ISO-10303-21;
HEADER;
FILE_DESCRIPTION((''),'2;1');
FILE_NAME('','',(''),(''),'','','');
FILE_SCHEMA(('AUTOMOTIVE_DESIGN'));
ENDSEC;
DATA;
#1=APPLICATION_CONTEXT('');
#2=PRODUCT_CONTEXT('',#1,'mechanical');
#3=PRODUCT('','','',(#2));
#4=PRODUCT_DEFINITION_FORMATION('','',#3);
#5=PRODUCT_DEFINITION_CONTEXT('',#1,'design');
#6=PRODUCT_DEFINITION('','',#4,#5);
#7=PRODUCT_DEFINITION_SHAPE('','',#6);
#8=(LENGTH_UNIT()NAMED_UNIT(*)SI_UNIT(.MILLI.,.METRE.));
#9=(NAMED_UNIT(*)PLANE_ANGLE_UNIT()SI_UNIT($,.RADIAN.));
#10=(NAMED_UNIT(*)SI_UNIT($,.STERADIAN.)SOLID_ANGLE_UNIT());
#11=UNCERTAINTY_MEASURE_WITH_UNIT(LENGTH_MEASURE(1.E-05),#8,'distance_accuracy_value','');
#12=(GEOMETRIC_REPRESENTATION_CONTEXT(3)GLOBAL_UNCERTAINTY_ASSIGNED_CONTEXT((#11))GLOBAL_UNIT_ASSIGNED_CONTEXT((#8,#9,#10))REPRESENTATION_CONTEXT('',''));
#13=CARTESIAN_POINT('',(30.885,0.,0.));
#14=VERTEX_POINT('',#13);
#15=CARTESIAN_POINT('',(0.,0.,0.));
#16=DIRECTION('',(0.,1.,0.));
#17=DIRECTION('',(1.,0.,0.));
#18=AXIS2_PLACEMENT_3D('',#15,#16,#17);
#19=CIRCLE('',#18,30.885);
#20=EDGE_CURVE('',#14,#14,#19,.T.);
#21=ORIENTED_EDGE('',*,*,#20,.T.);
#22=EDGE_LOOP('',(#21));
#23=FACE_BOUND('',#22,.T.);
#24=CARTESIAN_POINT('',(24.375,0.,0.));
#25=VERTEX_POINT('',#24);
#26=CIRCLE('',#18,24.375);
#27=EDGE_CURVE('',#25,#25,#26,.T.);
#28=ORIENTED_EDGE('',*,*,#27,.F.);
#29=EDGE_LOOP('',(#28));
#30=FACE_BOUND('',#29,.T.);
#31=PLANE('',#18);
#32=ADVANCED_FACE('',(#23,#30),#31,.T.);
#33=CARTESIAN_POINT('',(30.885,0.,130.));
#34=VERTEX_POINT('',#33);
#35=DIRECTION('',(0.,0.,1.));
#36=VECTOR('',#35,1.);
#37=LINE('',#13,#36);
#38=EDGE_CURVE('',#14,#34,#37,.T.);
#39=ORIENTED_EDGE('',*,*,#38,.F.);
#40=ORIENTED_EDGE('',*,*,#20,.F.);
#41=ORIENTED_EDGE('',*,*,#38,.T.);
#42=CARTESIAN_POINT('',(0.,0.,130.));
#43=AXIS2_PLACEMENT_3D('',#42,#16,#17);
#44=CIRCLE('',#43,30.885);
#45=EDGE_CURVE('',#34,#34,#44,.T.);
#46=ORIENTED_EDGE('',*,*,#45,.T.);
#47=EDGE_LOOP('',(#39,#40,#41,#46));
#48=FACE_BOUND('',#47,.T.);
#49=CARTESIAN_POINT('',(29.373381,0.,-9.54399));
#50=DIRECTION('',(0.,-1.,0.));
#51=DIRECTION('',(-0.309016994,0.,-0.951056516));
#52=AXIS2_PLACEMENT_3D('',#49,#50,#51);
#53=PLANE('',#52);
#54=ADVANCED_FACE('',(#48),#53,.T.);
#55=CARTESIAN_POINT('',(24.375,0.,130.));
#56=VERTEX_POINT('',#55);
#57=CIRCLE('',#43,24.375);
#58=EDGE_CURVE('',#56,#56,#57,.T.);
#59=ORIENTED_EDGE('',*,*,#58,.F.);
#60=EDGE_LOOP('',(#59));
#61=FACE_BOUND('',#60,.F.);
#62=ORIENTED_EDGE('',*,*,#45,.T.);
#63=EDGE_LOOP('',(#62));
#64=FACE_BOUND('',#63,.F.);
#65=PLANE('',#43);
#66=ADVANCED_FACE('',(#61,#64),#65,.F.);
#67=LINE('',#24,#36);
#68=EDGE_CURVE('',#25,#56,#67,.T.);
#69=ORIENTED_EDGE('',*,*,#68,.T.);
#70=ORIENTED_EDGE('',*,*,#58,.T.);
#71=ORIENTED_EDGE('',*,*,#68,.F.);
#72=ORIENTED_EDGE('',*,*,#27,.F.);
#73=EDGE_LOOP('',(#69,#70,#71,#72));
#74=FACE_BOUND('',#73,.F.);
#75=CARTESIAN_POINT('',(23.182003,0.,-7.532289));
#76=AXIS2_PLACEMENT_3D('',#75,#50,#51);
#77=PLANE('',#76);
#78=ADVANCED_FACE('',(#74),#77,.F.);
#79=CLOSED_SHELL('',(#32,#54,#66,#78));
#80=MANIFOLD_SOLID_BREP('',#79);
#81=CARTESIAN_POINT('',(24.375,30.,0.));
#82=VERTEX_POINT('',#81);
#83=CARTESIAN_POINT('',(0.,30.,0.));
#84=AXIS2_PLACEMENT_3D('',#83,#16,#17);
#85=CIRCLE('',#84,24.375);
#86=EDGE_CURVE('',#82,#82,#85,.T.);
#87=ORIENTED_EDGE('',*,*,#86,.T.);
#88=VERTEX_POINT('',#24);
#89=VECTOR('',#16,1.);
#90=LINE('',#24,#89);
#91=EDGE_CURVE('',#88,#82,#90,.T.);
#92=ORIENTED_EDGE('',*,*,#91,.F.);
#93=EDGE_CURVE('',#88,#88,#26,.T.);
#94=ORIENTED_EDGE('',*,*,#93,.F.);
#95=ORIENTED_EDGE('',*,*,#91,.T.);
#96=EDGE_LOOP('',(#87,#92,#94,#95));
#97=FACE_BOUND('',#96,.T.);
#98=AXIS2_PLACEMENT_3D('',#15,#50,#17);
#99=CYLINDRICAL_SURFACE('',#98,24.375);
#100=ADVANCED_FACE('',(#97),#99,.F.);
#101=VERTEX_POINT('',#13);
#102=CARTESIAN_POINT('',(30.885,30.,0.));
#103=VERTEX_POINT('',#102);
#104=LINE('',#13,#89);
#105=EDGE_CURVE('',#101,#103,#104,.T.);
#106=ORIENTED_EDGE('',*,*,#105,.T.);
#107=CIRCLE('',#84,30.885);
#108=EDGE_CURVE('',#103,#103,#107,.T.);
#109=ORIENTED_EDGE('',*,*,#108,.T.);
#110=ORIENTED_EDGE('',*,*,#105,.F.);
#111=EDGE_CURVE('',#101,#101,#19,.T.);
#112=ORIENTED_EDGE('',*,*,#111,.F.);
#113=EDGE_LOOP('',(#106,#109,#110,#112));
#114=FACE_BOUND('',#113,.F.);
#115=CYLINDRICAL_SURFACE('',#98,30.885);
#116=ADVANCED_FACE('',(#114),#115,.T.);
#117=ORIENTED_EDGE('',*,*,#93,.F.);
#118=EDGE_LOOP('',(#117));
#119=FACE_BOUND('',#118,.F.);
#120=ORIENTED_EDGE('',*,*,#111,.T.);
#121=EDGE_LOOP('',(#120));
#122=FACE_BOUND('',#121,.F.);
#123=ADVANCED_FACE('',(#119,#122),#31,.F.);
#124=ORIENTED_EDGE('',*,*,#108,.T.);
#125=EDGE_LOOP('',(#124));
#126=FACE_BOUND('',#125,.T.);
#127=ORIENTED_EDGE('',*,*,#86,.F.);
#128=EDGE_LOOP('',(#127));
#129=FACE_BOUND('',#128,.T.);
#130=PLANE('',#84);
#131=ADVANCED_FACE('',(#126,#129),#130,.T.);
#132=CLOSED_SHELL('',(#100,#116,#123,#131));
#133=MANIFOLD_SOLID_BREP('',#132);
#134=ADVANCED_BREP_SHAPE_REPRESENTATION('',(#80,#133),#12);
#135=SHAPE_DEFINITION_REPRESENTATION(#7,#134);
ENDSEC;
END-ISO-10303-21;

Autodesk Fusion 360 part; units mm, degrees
sketch "Sketch1" plane through (0, 0, 0) normal (0, 0, 1) x (1, 0, 0) in component "Component8"
  arc A0 (0, 55) -> (0, -55) centre (0, 0) ccw
  arc A1 (0, 57.73) -> (0, -57.73) centre (0, 0) ccw
  line L0 (0, 57.73) -> (0, 55)
  line L1 (0, -55) -> (0, -57.73)
  dimension "d1" = 55
  dimension "d2" = 57.73
extrude "Extrude1" add sketch "Sketch1" along normal blind 130 in component "Component8"
component "Component8" placed x (1, 0, 0) y (0, 1, 0) z (0, 0, 1) at (0, 0, 0)

Autodesk Fusion 360 part; units mm, degrees
sketch "Sketch1" plane through (0, 0, 0) normal (0, 1, 0) x (1, 0, 0) in component "Component7"
  circle A0 centre (0, 0) radius 30.885
  circle A1 centre (0, 0) radius 24.375
  dimension "d1" = 61.77
  dimension "d2" = 48.75
extrude "Extrude1" add sketch "Sketch1" along normal blind 30 in component "Component7"
component "Component7" placed x (1, 0, 0) y (0, 1, 0) z (0, 0, 1) at (0, 0, 0)
